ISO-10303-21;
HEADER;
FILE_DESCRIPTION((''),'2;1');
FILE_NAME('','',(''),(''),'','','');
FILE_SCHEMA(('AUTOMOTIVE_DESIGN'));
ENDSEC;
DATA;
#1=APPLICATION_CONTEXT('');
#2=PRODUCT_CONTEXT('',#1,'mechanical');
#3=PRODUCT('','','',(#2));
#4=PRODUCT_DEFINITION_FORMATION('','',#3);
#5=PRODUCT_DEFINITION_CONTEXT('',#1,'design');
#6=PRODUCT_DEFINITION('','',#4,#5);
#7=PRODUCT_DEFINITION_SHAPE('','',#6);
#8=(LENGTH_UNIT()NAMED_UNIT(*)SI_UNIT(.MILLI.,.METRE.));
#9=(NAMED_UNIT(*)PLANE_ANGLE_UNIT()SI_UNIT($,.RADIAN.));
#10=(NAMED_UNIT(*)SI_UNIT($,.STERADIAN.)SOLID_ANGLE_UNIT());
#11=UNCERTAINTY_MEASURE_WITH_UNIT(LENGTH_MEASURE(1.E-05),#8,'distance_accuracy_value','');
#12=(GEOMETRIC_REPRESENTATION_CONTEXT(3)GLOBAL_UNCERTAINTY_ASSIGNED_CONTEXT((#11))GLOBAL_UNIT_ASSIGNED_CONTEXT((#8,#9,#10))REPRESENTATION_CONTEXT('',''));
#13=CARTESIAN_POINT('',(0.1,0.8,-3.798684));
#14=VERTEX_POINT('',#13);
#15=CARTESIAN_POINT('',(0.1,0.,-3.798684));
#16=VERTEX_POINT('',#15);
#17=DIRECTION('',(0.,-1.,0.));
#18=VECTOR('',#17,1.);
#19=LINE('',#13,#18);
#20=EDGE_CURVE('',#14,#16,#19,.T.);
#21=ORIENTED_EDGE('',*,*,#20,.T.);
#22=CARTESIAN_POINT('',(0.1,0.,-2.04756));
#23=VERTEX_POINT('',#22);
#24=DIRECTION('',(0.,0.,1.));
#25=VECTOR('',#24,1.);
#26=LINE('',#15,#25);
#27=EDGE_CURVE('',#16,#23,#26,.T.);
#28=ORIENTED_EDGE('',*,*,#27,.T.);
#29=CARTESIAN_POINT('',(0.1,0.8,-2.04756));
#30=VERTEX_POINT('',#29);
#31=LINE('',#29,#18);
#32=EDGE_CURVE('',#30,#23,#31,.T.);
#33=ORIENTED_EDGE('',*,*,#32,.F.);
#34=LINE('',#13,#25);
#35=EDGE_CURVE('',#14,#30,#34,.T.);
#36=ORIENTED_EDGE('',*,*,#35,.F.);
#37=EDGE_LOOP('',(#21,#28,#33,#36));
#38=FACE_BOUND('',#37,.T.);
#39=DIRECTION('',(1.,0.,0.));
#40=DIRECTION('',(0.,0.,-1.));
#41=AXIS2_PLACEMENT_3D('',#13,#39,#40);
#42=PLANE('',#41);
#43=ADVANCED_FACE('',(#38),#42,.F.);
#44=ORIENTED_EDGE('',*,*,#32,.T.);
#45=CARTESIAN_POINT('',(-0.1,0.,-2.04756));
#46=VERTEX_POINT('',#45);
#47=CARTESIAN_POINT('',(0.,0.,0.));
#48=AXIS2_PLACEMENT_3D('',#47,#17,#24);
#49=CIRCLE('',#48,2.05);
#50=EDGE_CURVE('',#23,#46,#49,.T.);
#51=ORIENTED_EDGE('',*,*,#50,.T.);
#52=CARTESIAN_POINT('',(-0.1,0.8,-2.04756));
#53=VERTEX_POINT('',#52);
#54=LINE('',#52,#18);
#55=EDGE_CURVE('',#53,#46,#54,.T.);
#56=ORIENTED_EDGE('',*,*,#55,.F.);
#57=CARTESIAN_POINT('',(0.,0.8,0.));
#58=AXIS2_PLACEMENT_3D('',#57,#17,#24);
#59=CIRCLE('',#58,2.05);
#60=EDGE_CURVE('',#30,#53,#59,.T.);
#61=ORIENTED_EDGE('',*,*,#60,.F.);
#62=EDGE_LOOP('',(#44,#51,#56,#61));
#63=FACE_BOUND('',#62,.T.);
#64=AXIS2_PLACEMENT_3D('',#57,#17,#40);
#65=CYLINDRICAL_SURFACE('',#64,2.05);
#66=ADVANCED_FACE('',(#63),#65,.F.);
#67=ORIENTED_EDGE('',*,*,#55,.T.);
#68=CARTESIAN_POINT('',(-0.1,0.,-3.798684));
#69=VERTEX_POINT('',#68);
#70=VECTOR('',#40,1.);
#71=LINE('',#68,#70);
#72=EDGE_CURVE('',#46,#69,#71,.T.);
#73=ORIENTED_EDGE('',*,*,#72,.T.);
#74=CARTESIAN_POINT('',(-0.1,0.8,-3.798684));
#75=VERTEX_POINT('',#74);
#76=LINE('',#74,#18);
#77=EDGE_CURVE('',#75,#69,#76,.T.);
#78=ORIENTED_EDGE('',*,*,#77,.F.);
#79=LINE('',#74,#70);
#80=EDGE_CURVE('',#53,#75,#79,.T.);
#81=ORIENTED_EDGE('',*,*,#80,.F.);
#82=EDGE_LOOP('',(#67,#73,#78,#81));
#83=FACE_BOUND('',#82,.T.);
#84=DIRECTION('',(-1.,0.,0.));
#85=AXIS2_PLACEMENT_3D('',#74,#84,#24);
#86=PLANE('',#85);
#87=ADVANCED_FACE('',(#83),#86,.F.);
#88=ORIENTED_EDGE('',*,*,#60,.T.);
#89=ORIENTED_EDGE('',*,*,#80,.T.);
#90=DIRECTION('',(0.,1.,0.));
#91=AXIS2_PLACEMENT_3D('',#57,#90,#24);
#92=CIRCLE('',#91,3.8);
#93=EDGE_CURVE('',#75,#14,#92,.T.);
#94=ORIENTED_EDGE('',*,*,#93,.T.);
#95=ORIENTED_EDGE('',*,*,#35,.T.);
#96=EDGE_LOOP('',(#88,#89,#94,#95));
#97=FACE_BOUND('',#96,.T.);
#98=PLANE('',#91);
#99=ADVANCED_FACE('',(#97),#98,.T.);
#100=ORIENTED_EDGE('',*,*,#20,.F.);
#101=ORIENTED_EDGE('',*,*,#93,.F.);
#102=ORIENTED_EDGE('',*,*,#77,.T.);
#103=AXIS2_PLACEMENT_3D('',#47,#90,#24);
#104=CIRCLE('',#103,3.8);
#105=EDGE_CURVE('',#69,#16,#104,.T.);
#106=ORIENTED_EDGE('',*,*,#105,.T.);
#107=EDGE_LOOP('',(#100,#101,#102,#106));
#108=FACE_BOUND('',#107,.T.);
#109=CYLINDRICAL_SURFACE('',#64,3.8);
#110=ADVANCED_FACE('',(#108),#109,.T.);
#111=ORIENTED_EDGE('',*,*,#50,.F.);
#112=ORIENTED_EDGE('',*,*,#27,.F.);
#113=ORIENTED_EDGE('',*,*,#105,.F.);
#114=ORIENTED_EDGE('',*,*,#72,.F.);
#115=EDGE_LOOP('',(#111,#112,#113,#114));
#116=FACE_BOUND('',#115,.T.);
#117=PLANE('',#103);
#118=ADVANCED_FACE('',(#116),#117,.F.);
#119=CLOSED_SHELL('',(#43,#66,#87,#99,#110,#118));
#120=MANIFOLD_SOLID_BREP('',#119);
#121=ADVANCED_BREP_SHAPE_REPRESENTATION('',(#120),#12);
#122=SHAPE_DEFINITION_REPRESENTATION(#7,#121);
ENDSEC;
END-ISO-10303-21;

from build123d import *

# Parameters (mm, degrees)
RESSALTO_EXTRUS_O1_DEPTH = 0.8


with BuildPart() as part:
    # Esboço1 → Ressalto-extrusão1 (new body)
    with BuildSketch(Plane(origin=(0, 0, 0), x_dir=(1, 0, 0), z_dir=(0, 1, 0))):
        with BuildLine():
            Line((-0.1, 3.798683983), (-0.1, 2.047559523))
            ThreePointArc((-0.1, 2.047559523), (0, -2.05), (0.1, 2.047559523))
            Line((0.1, 2.047559523), (0.1, 3.798683983))
            ThreePointArc((0.1, 3.798683983), (0, -3.8), (-0.1, 3.798683983))
        make_face()
    extrude(amount=RESSALTO_EXTRUS_O1_DEPTH)


solid = part.part
